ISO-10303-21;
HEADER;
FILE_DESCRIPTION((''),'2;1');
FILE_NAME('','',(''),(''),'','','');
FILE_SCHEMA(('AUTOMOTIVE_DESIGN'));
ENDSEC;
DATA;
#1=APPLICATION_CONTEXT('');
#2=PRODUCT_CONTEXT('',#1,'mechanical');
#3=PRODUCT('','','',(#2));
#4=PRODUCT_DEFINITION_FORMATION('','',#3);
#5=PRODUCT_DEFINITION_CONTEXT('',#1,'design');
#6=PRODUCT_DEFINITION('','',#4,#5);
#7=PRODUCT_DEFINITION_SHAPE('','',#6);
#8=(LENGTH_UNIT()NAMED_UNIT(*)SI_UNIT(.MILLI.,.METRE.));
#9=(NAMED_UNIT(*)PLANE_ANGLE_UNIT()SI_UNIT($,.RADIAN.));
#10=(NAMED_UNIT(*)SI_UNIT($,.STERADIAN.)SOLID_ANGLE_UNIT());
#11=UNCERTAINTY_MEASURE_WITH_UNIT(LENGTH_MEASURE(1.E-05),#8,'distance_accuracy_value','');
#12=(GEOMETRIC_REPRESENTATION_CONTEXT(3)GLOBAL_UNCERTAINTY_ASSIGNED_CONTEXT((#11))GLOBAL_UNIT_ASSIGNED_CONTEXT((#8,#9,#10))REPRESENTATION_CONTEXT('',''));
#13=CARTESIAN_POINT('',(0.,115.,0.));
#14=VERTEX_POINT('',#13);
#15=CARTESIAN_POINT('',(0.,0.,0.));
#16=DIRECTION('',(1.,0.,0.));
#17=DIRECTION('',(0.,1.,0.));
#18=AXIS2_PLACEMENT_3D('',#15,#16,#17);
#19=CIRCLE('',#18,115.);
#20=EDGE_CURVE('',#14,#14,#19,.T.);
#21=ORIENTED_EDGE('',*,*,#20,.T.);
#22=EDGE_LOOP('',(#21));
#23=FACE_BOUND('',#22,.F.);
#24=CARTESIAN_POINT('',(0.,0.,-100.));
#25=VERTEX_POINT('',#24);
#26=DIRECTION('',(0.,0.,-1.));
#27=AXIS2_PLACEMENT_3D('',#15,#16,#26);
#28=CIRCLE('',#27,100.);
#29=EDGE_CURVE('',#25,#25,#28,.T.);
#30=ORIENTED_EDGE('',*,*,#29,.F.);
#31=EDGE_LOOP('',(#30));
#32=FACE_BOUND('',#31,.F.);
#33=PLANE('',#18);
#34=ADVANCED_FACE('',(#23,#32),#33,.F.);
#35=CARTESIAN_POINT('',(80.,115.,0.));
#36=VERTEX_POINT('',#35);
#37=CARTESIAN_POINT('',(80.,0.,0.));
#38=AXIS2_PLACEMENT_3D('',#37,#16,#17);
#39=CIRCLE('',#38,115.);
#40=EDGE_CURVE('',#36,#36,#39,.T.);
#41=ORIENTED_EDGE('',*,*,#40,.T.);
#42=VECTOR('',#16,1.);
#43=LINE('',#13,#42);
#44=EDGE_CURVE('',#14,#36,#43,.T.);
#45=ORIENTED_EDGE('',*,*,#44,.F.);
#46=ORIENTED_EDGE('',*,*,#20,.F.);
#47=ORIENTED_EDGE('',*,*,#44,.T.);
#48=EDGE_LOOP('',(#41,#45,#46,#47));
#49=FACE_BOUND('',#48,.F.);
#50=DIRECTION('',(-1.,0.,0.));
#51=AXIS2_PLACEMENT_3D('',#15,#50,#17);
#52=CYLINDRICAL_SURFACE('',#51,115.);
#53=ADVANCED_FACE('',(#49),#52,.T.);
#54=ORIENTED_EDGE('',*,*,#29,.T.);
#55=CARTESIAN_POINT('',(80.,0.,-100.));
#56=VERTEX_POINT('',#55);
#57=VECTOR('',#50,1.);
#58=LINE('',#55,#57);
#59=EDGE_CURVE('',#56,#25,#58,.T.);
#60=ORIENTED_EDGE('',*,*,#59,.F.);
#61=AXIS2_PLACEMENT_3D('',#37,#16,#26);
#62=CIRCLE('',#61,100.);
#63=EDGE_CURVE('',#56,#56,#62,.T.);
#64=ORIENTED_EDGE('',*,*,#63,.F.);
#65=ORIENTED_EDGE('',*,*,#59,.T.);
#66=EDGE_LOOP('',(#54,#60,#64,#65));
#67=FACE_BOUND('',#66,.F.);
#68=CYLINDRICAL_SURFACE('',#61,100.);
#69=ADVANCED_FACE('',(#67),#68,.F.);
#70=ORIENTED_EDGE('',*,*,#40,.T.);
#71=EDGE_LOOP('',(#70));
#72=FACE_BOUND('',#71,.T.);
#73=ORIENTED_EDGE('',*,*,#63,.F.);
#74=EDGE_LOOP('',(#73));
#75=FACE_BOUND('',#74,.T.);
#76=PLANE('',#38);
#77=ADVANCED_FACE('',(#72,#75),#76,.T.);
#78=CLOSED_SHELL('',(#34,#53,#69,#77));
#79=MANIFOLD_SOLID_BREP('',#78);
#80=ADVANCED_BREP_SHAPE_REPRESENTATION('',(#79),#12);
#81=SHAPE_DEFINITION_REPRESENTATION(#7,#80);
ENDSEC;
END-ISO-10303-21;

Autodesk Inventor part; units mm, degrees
ref_plane "YZ Plane" through (0, 0, 0) normal (1, 0, 0) x (0, 1, 0)
ref_plane "XZ Plane" through (0, 0, 0) normal (0, 1, 0) x (-1, 0, 0)
ref_plane "XY Plane" through (0, 0, 0) normal (0, 0, 1) x (1, 0, 0)
sketch "Esquisse1" plane through (0, 0, 0) normal (1, 0, 0) x (0, 1, 0)
  circle A0 centre (0, 0) radius 115
  dimension "d0" = 230
extrude "Extrusion1" add sketch "Esquisse1" along normal blind 80
sketch "Esquisse2" plane through (80, 0, 0) normal (1, 0, 0) x (0, 0, -1)
  circle A0 centre (0, 0) radius 100
  dimension "d3" = 200
extrude "Extrusion2" cut sketch "Esquisse2" against normal blind 80
